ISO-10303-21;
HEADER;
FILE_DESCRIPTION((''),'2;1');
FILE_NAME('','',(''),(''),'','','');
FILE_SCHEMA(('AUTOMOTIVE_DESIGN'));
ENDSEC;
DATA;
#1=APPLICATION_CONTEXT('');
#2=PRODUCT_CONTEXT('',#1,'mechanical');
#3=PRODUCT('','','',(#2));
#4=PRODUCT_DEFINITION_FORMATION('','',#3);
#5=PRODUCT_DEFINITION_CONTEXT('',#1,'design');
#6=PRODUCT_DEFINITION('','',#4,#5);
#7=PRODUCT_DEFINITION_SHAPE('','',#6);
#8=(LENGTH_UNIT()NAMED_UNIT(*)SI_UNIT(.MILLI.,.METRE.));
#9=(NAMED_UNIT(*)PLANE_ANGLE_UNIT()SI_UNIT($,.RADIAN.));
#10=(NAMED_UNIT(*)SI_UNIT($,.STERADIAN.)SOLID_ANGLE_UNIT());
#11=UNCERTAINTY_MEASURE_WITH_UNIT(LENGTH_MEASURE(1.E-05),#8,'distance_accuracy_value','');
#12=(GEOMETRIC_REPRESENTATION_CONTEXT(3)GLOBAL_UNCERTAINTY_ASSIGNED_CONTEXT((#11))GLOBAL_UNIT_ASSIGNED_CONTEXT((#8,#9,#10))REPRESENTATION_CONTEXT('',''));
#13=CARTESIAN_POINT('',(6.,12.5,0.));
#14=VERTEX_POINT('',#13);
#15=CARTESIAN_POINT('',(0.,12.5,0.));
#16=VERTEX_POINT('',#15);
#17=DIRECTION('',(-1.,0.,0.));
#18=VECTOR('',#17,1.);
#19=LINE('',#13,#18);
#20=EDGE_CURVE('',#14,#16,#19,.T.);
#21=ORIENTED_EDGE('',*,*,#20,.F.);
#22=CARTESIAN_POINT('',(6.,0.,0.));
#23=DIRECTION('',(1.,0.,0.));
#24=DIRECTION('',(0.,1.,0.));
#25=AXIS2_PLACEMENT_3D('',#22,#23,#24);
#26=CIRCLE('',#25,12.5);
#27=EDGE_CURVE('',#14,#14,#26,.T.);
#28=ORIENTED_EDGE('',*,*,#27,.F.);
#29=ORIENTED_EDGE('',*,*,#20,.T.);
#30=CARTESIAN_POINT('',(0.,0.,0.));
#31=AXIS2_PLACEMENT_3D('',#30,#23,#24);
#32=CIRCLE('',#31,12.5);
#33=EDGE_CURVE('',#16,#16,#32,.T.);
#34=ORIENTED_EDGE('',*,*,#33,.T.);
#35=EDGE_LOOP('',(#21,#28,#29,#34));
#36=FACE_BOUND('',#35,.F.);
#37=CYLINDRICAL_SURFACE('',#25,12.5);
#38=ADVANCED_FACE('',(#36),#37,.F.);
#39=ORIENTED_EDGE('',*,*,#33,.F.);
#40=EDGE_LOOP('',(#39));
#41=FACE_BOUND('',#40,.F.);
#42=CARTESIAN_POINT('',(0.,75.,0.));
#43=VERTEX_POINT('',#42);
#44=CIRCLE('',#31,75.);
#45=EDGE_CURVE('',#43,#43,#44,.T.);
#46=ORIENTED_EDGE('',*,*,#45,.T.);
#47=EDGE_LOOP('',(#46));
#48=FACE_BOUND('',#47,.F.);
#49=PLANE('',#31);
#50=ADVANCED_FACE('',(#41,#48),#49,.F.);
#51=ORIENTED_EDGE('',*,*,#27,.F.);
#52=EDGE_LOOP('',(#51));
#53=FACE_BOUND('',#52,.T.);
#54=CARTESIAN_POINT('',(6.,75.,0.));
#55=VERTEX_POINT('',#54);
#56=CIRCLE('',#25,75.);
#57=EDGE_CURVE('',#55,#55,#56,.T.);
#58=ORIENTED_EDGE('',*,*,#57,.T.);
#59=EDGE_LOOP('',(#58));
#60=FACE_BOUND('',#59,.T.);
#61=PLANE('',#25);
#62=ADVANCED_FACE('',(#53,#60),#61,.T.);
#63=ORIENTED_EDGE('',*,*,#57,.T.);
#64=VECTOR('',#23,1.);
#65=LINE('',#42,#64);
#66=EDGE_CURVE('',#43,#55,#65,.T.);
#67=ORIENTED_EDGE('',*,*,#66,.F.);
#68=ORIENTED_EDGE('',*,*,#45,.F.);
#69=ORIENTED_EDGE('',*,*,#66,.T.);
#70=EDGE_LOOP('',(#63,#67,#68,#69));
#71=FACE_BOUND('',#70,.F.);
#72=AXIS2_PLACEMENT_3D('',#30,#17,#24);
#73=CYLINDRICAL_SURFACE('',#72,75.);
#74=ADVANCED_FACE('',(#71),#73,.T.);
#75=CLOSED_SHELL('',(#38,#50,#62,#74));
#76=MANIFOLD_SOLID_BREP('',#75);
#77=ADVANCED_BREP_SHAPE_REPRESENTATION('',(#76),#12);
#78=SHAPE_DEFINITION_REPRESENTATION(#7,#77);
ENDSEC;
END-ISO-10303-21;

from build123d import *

# Parameters (mm, degrees)
F0_R     = 75
F1_DEPTH = 6
F2_R     = 12.5
F3_DEPTH = 6.001


with BuildPart() as f1:
    # F0 (on Right) → F1 (new body)
    with BuildSketch(Plane.YZ):
        Circle(F0_R)
    extrude(amount=F1_DEPTH)

    # F2 (on face) → F3 (cut, through all)
    with BuildSketch(Plane.YZ.offset(6)):
        Circle(F2_R)
    extrude(amount=-F3_DEPTH, mode=Mode.SUBTRACT)


solid = f1.part
